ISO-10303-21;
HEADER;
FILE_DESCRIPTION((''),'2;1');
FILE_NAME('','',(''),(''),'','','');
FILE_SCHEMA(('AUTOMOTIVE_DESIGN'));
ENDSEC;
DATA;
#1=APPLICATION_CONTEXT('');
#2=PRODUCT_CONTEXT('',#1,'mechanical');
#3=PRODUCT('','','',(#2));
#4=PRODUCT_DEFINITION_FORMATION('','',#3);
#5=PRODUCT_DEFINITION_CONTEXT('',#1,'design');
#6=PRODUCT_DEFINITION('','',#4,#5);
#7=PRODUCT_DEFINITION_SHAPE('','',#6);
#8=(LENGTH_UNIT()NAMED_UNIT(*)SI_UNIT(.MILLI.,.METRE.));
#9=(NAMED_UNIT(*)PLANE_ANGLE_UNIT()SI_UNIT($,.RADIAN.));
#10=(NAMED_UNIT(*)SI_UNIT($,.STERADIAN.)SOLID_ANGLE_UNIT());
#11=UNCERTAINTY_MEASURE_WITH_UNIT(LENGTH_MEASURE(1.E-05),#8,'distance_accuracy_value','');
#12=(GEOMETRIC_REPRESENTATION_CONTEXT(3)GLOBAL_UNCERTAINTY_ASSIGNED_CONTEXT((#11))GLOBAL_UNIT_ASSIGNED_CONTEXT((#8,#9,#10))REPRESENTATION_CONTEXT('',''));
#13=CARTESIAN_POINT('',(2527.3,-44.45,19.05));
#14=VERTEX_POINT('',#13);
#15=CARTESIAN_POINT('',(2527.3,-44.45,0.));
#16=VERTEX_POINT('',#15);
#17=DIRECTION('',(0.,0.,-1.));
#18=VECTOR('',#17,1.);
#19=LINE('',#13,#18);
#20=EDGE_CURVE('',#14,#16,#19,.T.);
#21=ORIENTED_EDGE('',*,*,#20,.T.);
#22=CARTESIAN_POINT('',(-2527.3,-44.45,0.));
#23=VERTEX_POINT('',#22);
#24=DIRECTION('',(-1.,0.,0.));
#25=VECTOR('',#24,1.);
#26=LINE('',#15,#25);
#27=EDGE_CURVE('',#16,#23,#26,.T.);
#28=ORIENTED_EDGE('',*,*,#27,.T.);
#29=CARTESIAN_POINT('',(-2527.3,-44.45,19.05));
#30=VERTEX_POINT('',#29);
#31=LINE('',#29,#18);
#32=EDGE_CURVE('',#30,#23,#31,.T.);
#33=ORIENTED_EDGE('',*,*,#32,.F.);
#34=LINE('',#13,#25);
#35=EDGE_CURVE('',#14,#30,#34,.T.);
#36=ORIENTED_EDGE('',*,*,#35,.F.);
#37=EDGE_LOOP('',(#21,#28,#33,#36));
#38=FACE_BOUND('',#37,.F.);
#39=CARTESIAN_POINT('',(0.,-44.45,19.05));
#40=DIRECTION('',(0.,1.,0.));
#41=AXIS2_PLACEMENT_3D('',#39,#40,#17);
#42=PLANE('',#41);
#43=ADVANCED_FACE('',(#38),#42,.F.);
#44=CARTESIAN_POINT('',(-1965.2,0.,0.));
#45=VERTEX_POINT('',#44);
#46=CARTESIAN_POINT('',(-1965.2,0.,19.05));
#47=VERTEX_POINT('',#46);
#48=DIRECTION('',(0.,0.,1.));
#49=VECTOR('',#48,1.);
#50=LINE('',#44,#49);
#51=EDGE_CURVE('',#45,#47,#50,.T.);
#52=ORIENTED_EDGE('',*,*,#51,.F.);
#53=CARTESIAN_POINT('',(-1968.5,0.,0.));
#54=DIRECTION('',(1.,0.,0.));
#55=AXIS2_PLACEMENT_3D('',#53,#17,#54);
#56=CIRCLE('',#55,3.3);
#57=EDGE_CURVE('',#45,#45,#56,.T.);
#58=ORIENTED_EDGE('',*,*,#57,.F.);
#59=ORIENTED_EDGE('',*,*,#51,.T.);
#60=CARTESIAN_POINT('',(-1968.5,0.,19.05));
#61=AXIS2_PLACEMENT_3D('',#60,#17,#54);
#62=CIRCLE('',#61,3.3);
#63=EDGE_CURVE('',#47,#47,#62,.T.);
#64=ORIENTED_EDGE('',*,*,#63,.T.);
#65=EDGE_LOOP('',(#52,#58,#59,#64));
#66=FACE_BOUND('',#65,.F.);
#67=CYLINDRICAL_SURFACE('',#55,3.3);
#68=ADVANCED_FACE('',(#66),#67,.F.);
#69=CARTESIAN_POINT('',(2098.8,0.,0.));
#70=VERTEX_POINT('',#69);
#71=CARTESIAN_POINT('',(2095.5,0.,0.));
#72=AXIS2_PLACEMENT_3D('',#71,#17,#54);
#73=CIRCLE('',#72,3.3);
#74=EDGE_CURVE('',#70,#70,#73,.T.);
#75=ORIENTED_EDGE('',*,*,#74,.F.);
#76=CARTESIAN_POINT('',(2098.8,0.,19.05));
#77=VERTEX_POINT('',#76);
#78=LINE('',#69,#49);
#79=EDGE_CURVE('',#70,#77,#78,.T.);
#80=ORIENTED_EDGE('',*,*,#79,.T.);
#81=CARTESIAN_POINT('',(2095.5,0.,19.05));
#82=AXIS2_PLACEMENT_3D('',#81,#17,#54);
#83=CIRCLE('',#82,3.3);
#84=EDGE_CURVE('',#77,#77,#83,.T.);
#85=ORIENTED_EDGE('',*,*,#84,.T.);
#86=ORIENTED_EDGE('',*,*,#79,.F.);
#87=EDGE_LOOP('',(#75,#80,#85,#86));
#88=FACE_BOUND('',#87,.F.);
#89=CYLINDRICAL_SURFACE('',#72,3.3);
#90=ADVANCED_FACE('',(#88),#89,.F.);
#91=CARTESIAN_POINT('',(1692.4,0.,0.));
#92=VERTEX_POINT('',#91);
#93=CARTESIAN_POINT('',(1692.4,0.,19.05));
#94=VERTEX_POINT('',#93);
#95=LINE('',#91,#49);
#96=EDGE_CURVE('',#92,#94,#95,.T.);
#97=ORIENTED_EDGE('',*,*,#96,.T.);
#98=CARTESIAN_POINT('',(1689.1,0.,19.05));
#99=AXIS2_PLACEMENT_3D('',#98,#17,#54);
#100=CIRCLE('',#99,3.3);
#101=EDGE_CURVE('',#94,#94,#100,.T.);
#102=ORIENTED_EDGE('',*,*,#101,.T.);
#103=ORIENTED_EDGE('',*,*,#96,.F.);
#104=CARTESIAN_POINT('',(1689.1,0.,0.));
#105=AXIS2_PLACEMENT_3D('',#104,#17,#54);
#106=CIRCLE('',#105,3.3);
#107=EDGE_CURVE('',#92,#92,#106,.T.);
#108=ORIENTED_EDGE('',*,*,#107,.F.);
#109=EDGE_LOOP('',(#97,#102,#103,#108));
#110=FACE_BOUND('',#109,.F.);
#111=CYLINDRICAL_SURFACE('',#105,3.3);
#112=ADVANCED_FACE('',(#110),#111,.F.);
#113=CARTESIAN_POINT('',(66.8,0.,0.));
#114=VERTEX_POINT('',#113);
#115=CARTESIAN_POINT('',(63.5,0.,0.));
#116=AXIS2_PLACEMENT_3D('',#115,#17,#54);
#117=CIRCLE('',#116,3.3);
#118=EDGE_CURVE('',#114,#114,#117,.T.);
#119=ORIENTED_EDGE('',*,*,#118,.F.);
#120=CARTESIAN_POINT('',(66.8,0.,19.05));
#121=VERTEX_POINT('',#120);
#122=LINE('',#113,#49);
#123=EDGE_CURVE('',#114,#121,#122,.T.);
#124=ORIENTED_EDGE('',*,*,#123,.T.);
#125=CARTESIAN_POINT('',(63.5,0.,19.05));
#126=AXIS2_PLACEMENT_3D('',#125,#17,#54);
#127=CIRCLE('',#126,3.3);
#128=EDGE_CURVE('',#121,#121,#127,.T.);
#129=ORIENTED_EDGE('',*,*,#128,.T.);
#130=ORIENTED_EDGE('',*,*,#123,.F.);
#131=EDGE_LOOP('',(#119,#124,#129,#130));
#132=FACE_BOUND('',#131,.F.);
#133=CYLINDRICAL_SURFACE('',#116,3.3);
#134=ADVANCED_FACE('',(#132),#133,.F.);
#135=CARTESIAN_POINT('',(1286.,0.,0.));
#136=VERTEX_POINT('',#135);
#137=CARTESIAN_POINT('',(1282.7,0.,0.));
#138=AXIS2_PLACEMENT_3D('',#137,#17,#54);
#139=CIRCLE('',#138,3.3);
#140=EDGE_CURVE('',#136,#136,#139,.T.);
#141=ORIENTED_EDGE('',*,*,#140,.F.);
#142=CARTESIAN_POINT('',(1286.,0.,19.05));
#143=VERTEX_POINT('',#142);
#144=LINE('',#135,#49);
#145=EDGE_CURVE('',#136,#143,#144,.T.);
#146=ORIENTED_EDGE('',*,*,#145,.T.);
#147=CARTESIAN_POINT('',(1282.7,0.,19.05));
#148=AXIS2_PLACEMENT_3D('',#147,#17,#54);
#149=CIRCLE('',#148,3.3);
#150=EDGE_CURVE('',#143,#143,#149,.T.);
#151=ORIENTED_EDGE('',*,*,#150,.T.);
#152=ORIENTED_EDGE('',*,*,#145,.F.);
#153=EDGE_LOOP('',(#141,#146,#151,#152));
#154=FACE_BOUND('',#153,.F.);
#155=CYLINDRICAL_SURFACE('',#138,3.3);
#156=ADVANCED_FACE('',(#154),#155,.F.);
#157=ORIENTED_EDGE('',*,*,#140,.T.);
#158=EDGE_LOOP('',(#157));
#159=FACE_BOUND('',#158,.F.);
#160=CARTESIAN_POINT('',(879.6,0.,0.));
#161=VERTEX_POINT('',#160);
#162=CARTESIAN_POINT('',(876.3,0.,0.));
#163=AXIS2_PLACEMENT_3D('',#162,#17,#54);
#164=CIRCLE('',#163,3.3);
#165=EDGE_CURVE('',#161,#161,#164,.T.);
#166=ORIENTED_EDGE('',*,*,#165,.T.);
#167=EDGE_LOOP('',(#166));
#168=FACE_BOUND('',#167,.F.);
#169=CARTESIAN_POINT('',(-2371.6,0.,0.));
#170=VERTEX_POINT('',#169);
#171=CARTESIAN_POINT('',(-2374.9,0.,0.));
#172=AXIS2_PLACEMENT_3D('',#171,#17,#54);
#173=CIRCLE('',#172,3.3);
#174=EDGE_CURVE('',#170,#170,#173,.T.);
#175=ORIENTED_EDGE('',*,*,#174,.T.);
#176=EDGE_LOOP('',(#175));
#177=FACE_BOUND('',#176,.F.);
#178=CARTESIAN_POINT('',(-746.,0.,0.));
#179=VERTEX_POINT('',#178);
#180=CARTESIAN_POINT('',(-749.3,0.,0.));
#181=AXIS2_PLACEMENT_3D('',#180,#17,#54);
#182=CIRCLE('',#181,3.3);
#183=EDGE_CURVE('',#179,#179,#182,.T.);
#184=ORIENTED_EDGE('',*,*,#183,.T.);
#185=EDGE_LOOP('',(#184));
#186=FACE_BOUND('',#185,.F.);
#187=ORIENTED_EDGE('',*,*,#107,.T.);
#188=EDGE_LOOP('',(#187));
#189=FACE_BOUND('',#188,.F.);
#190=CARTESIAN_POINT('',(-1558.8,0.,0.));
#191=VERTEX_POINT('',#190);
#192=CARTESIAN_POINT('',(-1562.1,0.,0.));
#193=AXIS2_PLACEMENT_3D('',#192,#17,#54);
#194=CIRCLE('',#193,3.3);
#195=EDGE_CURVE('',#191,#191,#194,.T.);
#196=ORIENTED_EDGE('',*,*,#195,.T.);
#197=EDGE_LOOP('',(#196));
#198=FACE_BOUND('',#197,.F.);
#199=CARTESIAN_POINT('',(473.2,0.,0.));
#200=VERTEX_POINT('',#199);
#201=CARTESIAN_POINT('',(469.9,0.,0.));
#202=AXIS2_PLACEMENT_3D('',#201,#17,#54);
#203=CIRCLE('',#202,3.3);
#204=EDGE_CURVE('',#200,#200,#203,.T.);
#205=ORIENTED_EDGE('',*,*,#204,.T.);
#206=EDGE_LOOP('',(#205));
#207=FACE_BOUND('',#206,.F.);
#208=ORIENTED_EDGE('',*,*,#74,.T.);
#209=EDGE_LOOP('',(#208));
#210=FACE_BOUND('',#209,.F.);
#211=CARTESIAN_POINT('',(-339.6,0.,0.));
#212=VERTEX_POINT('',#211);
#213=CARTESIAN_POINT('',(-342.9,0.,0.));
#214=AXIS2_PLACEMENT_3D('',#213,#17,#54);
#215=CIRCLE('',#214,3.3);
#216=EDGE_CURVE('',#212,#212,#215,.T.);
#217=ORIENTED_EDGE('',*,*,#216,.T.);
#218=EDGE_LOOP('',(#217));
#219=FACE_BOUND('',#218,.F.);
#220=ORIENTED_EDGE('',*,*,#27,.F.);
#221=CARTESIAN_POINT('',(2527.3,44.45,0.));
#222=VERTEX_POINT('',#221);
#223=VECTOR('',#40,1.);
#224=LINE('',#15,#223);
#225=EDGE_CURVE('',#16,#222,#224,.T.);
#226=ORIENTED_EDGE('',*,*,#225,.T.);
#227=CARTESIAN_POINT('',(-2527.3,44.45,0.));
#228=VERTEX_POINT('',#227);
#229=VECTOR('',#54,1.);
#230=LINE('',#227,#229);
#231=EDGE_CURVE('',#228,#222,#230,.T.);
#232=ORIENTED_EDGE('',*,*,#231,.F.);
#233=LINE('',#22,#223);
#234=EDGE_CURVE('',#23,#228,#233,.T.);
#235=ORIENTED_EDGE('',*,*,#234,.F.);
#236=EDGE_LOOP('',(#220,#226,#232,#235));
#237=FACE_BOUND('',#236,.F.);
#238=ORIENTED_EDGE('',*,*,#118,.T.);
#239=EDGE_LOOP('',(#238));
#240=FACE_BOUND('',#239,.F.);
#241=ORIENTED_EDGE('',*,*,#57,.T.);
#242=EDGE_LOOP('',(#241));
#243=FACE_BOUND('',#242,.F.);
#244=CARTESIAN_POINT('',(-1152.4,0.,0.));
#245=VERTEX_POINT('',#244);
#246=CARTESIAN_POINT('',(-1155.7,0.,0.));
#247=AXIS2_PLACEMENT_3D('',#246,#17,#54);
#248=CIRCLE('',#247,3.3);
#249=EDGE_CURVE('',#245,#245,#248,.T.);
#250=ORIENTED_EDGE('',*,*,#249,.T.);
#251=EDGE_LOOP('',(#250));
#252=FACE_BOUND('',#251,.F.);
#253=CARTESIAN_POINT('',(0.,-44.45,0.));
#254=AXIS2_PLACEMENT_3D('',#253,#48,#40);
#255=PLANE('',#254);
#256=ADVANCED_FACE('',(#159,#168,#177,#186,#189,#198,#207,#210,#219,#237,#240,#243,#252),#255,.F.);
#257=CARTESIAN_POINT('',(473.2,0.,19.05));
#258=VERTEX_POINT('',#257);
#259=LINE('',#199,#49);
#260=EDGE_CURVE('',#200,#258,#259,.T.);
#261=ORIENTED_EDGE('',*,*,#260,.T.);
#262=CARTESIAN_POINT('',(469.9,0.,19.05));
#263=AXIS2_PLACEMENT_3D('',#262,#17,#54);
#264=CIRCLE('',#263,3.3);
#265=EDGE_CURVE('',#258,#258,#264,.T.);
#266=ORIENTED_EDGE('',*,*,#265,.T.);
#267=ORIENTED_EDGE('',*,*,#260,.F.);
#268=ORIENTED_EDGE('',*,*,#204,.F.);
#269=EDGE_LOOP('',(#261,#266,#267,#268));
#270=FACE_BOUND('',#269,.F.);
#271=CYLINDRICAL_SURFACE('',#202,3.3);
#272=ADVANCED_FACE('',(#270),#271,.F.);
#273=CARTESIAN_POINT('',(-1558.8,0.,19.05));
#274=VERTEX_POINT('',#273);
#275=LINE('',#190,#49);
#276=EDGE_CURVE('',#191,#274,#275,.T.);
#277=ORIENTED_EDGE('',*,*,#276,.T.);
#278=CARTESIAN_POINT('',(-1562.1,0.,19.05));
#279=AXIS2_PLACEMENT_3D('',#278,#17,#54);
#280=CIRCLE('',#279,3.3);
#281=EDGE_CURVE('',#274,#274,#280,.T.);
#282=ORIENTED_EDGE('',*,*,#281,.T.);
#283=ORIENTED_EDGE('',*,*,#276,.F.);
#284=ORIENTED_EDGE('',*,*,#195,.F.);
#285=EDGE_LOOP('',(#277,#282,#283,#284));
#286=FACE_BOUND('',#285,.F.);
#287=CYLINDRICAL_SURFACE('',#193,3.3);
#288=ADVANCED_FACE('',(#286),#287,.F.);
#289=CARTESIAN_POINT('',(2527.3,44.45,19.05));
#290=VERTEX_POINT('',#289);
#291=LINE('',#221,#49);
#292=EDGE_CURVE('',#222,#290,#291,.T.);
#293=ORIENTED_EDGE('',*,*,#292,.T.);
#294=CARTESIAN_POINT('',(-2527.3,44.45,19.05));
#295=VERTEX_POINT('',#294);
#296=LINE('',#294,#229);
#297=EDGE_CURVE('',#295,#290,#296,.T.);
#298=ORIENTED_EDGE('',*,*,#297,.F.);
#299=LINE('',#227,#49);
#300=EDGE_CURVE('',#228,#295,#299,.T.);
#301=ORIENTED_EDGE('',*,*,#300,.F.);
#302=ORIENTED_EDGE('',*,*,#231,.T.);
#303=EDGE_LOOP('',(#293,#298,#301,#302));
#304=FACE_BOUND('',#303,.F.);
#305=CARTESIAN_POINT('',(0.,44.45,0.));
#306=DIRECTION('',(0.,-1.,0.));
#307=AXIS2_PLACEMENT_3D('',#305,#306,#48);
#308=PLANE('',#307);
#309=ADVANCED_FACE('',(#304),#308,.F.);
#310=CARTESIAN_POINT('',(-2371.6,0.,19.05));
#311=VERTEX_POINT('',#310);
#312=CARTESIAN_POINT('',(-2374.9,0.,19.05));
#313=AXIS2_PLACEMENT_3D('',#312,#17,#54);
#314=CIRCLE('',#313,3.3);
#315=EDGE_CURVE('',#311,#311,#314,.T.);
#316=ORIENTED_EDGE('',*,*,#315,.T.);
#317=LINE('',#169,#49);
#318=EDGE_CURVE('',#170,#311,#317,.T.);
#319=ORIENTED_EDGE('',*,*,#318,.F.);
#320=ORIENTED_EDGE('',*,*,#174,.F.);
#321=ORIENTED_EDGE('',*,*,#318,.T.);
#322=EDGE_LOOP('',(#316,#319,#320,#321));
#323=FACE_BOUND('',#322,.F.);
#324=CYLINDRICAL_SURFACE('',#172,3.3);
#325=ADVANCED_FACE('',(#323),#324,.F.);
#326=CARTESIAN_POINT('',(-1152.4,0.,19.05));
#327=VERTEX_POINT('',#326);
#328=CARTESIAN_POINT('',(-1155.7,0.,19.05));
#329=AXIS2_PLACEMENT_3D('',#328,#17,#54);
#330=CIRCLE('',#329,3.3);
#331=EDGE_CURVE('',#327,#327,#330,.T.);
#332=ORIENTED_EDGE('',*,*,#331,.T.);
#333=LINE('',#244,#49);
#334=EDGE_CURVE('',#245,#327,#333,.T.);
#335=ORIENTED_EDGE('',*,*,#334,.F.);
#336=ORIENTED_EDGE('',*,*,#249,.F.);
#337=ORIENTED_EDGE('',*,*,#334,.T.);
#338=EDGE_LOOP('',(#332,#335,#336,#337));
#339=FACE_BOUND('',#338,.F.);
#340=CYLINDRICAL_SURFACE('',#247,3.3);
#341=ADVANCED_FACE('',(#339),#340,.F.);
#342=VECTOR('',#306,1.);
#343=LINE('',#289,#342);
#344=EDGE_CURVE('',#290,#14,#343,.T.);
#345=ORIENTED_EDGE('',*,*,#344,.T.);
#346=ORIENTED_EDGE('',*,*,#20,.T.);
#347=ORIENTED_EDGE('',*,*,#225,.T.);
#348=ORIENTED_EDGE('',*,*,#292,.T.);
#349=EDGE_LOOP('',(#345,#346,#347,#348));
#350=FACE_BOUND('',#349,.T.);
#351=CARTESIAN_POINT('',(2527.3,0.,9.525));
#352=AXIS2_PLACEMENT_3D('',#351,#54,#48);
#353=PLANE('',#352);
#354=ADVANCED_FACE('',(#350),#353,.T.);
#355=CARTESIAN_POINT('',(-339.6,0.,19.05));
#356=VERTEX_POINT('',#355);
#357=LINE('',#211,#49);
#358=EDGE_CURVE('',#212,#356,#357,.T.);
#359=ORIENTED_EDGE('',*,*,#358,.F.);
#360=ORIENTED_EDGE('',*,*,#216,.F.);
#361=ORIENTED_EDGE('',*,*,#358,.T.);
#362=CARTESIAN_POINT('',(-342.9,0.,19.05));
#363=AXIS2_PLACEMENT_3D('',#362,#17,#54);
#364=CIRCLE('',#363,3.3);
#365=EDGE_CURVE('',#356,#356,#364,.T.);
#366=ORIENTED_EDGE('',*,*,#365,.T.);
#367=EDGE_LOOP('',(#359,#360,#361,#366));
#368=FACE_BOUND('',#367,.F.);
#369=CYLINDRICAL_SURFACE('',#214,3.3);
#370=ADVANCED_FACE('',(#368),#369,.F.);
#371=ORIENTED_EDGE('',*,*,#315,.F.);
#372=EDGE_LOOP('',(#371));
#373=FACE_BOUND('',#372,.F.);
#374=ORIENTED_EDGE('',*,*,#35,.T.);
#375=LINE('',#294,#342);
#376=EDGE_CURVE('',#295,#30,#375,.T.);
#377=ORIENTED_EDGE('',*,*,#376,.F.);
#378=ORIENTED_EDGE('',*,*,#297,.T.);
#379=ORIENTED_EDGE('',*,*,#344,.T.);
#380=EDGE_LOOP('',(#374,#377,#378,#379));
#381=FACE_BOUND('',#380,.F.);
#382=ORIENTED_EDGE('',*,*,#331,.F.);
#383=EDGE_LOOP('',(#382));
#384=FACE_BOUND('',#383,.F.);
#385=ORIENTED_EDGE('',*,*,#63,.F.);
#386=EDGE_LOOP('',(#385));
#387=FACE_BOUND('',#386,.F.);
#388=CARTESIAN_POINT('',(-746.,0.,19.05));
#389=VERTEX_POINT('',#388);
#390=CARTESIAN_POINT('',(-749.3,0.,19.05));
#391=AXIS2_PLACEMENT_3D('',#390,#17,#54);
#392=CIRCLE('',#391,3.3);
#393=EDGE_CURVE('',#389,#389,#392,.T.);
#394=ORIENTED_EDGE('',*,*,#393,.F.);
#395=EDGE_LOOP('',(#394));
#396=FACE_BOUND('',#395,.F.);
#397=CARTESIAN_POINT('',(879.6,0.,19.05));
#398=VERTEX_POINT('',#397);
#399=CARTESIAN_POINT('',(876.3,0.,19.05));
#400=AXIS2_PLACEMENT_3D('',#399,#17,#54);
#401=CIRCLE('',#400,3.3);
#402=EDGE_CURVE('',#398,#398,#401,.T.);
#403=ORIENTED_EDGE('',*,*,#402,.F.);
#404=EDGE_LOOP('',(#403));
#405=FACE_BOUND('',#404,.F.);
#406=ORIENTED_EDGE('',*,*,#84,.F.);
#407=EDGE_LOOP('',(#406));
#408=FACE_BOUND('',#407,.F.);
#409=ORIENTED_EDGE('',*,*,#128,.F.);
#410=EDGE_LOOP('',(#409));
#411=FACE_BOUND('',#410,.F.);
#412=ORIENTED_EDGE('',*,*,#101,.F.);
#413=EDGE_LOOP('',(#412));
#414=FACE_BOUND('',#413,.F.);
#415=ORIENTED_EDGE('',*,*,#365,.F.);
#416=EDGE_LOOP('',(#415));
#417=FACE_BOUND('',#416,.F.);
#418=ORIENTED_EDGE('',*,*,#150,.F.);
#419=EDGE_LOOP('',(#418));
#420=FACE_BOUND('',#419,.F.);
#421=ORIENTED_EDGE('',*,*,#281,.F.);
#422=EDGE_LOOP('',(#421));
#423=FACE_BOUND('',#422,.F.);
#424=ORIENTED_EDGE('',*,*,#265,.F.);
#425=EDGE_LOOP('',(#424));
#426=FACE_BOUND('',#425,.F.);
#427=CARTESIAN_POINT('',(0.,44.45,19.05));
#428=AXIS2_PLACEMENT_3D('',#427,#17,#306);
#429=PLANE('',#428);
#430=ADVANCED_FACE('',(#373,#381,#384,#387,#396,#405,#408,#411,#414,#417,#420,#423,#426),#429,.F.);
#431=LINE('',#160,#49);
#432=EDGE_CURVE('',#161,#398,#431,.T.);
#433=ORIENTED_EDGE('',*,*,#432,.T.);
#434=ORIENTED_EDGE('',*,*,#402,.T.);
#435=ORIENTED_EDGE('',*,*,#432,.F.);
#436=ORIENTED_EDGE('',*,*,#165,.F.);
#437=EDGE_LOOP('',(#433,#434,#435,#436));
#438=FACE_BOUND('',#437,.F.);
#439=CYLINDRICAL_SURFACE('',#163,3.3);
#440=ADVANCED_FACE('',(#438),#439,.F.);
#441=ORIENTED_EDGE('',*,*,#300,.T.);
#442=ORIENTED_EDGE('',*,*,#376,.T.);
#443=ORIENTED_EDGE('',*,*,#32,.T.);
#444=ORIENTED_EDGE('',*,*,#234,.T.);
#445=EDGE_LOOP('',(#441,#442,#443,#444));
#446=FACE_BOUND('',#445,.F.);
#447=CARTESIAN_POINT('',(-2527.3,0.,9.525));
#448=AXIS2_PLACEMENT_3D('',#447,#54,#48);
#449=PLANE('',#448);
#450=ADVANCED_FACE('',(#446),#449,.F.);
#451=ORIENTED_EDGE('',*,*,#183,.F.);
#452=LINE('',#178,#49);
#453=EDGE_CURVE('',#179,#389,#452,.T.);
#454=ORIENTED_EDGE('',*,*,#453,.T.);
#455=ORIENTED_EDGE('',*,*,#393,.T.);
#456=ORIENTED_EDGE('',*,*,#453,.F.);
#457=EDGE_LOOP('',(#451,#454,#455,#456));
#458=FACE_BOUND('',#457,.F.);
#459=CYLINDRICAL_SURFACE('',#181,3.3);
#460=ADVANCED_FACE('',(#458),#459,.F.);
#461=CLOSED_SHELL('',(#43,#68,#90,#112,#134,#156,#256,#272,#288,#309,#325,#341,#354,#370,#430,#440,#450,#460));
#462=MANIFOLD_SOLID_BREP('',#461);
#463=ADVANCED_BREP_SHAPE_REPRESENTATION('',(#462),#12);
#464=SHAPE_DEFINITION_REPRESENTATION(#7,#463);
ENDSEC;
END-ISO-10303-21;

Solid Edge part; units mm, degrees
sketch "Sketch1" plane through (0, 0, 0) normal (1, 0, 0) x (0, 1, 0)
  line L0 (-44.45, 0) -> (44.45, 0)
  line L1 (44.45, 0) -> (44.45, 19.05)
  line L2 (44.45, 19.05) -> (-44.45, 19.05)
  line L3 (-44.45, 19.05) -> (-44.45, 0)
  dimension "D1" = 88.9
  dimension "D2" = 19.05
extrude "Protrusion1" add sketch "Sketch1" along normal mid plane 5054.6
sketch "Sketch2" plane through (0, 0, 0) normal (0, 0, -1) x (1, 0, 0)
  circle A0 centre (-2374.9, 0) radius 3.3
  dimension "D1" = 6.6
  dimension "D2" = 152.4
extrude "Cutout1" cut sketch "Sketch2" against normal through all
pattern_linear "Pattern1" count 12 spacing 406.4 along (1, 0, 0) of "Cutout1"
